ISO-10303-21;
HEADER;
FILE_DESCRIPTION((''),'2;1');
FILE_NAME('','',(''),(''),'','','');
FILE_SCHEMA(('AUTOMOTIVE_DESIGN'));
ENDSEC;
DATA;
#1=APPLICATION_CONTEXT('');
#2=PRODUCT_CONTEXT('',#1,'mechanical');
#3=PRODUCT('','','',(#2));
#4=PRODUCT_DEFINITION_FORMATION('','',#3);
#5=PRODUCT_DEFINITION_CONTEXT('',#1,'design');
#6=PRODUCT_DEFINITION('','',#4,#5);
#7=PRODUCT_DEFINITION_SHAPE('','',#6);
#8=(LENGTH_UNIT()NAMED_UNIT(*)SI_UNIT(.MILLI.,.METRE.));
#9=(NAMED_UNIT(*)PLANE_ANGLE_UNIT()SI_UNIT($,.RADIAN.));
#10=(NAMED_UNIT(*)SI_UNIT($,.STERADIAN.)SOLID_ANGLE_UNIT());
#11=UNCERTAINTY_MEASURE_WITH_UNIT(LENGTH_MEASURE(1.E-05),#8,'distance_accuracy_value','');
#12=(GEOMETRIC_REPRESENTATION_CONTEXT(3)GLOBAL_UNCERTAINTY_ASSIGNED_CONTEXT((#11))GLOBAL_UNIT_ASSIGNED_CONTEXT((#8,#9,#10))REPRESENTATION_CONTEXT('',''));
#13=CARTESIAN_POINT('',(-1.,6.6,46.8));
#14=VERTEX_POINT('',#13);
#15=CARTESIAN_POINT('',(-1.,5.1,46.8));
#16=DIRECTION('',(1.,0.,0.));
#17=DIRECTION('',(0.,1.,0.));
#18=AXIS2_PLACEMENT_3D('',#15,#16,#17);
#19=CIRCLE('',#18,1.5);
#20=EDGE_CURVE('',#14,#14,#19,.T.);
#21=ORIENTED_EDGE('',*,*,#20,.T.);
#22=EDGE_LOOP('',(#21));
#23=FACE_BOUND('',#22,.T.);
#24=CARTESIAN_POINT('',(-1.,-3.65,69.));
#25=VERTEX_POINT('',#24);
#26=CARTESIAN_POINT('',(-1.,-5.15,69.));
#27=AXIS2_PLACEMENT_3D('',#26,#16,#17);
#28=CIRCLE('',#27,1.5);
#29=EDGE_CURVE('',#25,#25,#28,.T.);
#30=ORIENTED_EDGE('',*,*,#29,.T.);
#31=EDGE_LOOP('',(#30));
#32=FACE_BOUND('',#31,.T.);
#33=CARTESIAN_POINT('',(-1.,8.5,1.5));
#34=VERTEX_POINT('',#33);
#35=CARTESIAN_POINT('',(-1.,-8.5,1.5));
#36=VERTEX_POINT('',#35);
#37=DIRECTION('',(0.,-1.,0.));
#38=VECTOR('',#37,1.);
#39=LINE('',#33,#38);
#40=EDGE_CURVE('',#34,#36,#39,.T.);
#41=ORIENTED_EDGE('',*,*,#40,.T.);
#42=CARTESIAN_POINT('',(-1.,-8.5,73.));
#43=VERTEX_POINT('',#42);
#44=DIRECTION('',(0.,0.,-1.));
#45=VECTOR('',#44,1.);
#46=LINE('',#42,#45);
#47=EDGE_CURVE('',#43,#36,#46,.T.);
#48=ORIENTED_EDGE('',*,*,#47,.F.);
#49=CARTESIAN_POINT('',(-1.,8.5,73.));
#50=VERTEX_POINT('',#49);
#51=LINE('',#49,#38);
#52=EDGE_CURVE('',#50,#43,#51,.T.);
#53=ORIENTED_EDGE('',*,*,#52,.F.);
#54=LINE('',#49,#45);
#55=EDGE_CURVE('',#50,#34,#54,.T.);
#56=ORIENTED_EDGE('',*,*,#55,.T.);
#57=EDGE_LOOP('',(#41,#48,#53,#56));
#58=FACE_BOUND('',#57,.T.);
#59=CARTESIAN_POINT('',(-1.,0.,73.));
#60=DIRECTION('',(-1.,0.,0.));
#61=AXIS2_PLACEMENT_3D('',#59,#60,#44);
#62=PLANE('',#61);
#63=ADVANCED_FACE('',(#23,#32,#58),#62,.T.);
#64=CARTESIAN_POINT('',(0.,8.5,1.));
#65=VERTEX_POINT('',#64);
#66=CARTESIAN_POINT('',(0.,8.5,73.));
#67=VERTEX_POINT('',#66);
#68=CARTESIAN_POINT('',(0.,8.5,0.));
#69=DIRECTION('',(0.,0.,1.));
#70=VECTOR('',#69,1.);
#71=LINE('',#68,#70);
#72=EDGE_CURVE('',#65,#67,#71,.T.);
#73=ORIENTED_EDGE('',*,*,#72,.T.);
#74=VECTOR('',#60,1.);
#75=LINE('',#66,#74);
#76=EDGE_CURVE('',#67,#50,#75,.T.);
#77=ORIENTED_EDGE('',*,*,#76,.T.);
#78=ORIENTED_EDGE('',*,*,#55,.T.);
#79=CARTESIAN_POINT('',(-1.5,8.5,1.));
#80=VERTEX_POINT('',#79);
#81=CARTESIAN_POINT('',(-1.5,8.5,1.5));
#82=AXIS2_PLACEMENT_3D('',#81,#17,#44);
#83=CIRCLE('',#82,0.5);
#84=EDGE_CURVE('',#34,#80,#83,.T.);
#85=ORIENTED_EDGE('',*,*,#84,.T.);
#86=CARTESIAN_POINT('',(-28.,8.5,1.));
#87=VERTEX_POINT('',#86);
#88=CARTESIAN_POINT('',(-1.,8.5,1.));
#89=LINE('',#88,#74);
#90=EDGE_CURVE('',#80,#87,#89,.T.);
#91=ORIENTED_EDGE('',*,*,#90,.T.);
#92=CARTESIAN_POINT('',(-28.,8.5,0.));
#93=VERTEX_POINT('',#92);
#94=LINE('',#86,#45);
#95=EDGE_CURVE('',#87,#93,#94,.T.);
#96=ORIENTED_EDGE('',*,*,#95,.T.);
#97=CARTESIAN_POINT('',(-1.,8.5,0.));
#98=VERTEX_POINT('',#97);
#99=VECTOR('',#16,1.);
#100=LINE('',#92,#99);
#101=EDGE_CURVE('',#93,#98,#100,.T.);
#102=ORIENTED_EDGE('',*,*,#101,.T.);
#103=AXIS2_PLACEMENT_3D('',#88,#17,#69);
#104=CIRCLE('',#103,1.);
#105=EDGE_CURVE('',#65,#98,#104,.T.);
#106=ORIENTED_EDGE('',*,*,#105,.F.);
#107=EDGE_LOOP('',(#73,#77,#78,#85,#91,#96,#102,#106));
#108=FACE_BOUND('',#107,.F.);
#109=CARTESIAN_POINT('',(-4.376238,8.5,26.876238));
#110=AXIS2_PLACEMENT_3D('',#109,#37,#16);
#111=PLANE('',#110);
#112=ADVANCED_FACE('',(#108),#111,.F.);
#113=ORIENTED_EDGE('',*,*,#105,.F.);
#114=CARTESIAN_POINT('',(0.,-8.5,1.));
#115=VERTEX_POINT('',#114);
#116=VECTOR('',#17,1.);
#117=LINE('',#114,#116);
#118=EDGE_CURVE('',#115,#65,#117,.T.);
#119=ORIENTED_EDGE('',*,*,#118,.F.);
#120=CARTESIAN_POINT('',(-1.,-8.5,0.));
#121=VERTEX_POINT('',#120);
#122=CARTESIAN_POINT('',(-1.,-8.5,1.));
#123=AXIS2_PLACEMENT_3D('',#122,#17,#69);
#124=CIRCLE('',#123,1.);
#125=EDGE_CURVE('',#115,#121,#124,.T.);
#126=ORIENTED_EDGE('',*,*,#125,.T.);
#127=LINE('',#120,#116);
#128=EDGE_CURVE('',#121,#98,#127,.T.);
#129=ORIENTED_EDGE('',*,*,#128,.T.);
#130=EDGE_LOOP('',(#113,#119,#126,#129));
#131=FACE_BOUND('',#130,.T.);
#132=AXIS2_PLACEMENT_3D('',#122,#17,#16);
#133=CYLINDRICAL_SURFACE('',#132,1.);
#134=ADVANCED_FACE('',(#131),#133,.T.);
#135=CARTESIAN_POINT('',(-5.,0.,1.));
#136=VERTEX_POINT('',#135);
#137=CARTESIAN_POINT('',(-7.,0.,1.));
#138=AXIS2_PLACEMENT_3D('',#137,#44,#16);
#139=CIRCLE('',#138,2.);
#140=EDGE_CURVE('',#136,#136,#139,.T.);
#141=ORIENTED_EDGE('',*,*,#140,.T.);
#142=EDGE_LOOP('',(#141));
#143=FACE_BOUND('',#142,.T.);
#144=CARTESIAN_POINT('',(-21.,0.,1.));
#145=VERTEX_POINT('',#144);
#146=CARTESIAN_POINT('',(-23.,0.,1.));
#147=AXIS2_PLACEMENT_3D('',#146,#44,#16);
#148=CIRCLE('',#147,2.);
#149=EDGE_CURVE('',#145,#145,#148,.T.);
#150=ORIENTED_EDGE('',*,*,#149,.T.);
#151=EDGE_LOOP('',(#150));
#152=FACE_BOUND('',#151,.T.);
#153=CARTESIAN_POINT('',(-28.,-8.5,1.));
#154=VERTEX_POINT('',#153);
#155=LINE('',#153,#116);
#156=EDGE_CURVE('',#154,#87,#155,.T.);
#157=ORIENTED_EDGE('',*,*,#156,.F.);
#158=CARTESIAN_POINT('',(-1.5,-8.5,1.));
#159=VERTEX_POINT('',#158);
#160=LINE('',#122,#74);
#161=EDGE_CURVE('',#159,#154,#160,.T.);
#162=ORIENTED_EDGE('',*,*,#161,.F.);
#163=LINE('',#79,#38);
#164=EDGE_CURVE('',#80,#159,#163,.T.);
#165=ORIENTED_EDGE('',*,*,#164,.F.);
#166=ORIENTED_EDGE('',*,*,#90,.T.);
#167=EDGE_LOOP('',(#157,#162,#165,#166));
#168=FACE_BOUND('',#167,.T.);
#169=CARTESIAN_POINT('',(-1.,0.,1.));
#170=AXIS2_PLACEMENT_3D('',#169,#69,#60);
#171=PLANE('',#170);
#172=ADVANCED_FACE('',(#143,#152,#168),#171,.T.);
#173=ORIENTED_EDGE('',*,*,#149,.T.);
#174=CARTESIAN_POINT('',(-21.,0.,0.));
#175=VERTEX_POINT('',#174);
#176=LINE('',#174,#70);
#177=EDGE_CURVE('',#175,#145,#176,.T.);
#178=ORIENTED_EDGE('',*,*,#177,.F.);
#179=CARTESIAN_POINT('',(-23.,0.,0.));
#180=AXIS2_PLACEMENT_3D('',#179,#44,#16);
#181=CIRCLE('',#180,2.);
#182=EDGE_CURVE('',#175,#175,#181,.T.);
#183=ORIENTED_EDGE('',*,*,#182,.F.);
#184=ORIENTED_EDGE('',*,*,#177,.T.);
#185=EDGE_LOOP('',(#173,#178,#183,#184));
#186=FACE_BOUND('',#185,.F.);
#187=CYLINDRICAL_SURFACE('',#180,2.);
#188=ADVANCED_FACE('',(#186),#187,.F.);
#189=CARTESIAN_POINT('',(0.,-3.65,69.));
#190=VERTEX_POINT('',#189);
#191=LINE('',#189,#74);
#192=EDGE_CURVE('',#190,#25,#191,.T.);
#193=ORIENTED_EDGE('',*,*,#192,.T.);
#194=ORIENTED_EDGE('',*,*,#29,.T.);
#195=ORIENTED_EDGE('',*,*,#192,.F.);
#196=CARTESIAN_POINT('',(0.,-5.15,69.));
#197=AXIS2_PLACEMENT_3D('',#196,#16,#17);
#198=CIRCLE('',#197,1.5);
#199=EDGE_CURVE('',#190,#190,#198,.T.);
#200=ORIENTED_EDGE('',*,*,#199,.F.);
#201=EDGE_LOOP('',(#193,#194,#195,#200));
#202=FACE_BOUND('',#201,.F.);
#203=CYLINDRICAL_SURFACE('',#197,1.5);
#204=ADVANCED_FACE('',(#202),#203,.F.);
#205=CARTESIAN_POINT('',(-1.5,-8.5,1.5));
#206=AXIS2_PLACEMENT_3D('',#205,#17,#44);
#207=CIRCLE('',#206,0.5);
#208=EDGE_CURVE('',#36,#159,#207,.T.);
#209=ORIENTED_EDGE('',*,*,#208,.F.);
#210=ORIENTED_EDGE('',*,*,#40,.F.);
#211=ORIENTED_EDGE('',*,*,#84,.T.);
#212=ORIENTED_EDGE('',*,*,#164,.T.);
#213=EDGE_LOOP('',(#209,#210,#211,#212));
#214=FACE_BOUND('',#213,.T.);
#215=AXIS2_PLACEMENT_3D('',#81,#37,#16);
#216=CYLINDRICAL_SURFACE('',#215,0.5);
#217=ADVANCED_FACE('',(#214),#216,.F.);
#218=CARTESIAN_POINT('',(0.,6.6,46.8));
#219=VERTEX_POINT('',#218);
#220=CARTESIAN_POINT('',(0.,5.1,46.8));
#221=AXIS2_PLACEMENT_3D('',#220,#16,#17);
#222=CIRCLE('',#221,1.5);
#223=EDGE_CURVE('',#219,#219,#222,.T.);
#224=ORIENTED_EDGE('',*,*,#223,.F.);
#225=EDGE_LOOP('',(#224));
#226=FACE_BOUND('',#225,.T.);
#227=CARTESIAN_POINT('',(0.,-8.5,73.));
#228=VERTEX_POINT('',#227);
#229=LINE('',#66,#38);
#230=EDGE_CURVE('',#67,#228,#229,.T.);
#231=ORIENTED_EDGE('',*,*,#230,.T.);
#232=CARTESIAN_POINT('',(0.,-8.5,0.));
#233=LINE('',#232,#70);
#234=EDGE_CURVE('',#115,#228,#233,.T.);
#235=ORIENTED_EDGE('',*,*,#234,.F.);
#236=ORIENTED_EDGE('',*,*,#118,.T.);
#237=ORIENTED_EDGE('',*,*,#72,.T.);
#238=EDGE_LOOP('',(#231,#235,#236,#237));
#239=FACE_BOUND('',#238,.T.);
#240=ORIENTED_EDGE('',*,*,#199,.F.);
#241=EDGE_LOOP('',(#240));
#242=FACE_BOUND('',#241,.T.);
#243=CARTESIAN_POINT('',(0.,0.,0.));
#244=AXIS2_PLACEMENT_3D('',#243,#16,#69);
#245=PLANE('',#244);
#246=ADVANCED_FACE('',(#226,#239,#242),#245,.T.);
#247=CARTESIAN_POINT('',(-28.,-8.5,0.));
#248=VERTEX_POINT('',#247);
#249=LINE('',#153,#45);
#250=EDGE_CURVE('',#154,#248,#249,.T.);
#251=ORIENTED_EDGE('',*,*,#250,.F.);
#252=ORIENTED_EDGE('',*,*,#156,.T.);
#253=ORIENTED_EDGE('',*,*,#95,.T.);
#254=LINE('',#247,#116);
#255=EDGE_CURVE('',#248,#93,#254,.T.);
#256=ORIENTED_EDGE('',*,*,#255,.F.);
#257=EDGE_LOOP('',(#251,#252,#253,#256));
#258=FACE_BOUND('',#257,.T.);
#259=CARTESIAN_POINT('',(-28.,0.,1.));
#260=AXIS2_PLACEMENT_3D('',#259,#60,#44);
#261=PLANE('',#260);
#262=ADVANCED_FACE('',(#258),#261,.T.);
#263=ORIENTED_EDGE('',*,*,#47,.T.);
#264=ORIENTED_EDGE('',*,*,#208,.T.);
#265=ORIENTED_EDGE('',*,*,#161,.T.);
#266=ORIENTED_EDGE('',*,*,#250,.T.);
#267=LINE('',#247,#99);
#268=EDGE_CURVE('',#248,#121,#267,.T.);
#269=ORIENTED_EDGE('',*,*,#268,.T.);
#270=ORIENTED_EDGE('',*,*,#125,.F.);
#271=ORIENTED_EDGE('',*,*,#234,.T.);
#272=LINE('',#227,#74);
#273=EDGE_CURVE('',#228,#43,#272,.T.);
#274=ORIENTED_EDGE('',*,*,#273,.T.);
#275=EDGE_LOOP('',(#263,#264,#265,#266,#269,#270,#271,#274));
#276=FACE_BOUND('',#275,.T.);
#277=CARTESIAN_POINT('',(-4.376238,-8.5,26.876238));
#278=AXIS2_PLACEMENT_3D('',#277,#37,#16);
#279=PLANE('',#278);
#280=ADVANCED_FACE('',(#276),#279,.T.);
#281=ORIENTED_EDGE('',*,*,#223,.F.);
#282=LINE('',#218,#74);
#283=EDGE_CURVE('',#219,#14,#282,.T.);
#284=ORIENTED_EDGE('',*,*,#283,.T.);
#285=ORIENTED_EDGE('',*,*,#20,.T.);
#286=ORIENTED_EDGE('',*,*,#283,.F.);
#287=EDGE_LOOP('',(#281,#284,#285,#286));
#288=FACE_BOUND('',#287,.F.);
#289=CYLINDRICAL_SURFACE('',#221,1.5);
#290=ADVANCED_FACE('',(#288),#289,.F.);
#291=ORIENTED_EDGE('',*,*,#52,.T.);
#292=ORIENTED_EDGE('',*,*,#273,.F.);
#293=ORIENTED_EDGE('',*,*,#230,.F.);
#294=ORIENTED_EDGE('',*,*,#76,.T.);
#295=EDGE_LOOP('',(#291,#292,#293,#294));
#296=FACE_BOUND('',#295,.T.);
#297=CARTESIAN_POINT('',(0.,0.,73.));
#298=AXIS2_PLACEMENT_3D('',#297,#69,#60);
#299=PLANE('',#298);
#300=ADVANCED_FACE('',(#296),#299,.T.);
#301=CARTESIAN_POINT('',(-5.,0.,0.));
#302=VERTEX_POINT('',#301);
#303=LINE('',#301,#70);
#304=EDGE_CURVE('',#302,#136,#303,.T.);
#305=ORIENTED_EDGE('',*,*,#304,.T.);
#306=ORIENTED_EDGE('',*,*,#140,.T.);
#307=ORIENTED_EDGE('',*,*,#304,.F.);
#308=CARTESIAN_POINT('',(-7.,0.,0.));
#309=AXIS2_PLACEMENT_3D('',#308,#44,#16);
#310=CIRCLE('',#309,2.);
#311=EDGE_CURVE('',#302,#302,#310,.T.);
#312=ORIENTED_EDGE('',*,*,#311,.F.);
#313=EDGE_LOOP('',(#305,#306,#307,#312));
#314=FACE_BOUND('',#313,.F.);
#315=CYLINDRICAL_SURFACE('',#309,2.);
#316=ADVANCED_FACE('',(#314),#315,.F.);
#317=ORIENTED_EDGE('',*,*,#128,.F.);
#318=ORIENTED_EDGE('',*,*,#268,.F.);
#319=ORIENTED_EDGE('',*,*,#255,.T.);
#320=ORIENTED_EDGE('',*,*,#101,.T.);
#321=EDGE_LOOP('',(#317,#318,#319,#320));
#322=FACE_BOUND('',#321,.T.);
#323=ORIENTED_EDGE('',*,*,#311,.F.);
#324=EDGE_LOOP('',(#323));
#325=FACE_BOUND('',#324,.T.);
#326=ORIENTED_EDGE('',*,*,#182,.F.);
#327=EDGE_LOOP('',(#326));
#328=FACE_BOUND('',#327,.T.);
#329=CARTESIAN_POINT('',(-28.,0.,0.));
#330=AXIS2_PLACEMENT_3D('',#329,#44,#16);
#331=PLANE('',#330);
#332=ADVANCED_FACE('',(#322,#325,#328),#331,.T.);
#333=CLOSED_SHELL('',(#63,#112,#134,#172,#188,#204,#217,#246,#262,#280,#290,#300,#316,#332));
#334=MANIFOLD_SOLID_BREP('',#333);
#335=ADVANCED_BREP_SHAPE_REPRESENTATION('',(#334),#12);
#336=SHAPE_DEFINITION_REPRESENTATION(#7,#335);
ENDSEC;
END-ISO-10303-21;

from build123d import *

# Parameters (mm, degrees)
F1_DEPTH = 8.5
F2_R     = 1
F3_R     = 0.5
F4_R     = 2
F5_DEPTH = 3
F6_R     = 1.5
F7_DEPTH = 3


with BuildPart() as f1:
    # F0 (on Front) → F1 (new body, symmetric)
    with BuildSketch(Plane.XZ):
        Polygon((0, 0), (0, 73), (-1, 73), (-1, 1), (-28, 1), (-28, 0), align=None)
    extrude(amount=F1_DEPTH, both=True)

    # F2
    f2_edges = [f1.edges().sort_by_distance(p)[0] for p in [
        (0, 0, 0),
    ]]
    fillet(f2_edges, radius=F2_R)

    # F3
    f3_edges = [f1.edges().sort_by_distance(p)[0] for p in [
        (-1, 0, 1),
    ]]
    fillet(f3_edges, radius=F3_R)

    # F4 (on face) → F5 (cut)
    with BuildSketch(Plane(origin=(0, 0, 0), x_dir=(1, 0, 0), z_dir=(0, 0, -1))):
        with Locations((-23, 0)):
            Circle(F4_R)
        with Locations((-7, 0)):
            Circle(F4_R)
    extrude(amount=-F5_DEPTH, mode=Mode.SUBTRACT)

    # F6 (on face) → F7 (cut)
    with BuildSketch(Plane.YZ):
        with Locations((5.1, 46.8)):
            Circle(F6_R)
        with Locations((-5.15, 69)):
            Circle(F6_R)
    extrude(amount=-F7_DEPTH, mode=Mode.SUBTRACT)


solid = f1.part
